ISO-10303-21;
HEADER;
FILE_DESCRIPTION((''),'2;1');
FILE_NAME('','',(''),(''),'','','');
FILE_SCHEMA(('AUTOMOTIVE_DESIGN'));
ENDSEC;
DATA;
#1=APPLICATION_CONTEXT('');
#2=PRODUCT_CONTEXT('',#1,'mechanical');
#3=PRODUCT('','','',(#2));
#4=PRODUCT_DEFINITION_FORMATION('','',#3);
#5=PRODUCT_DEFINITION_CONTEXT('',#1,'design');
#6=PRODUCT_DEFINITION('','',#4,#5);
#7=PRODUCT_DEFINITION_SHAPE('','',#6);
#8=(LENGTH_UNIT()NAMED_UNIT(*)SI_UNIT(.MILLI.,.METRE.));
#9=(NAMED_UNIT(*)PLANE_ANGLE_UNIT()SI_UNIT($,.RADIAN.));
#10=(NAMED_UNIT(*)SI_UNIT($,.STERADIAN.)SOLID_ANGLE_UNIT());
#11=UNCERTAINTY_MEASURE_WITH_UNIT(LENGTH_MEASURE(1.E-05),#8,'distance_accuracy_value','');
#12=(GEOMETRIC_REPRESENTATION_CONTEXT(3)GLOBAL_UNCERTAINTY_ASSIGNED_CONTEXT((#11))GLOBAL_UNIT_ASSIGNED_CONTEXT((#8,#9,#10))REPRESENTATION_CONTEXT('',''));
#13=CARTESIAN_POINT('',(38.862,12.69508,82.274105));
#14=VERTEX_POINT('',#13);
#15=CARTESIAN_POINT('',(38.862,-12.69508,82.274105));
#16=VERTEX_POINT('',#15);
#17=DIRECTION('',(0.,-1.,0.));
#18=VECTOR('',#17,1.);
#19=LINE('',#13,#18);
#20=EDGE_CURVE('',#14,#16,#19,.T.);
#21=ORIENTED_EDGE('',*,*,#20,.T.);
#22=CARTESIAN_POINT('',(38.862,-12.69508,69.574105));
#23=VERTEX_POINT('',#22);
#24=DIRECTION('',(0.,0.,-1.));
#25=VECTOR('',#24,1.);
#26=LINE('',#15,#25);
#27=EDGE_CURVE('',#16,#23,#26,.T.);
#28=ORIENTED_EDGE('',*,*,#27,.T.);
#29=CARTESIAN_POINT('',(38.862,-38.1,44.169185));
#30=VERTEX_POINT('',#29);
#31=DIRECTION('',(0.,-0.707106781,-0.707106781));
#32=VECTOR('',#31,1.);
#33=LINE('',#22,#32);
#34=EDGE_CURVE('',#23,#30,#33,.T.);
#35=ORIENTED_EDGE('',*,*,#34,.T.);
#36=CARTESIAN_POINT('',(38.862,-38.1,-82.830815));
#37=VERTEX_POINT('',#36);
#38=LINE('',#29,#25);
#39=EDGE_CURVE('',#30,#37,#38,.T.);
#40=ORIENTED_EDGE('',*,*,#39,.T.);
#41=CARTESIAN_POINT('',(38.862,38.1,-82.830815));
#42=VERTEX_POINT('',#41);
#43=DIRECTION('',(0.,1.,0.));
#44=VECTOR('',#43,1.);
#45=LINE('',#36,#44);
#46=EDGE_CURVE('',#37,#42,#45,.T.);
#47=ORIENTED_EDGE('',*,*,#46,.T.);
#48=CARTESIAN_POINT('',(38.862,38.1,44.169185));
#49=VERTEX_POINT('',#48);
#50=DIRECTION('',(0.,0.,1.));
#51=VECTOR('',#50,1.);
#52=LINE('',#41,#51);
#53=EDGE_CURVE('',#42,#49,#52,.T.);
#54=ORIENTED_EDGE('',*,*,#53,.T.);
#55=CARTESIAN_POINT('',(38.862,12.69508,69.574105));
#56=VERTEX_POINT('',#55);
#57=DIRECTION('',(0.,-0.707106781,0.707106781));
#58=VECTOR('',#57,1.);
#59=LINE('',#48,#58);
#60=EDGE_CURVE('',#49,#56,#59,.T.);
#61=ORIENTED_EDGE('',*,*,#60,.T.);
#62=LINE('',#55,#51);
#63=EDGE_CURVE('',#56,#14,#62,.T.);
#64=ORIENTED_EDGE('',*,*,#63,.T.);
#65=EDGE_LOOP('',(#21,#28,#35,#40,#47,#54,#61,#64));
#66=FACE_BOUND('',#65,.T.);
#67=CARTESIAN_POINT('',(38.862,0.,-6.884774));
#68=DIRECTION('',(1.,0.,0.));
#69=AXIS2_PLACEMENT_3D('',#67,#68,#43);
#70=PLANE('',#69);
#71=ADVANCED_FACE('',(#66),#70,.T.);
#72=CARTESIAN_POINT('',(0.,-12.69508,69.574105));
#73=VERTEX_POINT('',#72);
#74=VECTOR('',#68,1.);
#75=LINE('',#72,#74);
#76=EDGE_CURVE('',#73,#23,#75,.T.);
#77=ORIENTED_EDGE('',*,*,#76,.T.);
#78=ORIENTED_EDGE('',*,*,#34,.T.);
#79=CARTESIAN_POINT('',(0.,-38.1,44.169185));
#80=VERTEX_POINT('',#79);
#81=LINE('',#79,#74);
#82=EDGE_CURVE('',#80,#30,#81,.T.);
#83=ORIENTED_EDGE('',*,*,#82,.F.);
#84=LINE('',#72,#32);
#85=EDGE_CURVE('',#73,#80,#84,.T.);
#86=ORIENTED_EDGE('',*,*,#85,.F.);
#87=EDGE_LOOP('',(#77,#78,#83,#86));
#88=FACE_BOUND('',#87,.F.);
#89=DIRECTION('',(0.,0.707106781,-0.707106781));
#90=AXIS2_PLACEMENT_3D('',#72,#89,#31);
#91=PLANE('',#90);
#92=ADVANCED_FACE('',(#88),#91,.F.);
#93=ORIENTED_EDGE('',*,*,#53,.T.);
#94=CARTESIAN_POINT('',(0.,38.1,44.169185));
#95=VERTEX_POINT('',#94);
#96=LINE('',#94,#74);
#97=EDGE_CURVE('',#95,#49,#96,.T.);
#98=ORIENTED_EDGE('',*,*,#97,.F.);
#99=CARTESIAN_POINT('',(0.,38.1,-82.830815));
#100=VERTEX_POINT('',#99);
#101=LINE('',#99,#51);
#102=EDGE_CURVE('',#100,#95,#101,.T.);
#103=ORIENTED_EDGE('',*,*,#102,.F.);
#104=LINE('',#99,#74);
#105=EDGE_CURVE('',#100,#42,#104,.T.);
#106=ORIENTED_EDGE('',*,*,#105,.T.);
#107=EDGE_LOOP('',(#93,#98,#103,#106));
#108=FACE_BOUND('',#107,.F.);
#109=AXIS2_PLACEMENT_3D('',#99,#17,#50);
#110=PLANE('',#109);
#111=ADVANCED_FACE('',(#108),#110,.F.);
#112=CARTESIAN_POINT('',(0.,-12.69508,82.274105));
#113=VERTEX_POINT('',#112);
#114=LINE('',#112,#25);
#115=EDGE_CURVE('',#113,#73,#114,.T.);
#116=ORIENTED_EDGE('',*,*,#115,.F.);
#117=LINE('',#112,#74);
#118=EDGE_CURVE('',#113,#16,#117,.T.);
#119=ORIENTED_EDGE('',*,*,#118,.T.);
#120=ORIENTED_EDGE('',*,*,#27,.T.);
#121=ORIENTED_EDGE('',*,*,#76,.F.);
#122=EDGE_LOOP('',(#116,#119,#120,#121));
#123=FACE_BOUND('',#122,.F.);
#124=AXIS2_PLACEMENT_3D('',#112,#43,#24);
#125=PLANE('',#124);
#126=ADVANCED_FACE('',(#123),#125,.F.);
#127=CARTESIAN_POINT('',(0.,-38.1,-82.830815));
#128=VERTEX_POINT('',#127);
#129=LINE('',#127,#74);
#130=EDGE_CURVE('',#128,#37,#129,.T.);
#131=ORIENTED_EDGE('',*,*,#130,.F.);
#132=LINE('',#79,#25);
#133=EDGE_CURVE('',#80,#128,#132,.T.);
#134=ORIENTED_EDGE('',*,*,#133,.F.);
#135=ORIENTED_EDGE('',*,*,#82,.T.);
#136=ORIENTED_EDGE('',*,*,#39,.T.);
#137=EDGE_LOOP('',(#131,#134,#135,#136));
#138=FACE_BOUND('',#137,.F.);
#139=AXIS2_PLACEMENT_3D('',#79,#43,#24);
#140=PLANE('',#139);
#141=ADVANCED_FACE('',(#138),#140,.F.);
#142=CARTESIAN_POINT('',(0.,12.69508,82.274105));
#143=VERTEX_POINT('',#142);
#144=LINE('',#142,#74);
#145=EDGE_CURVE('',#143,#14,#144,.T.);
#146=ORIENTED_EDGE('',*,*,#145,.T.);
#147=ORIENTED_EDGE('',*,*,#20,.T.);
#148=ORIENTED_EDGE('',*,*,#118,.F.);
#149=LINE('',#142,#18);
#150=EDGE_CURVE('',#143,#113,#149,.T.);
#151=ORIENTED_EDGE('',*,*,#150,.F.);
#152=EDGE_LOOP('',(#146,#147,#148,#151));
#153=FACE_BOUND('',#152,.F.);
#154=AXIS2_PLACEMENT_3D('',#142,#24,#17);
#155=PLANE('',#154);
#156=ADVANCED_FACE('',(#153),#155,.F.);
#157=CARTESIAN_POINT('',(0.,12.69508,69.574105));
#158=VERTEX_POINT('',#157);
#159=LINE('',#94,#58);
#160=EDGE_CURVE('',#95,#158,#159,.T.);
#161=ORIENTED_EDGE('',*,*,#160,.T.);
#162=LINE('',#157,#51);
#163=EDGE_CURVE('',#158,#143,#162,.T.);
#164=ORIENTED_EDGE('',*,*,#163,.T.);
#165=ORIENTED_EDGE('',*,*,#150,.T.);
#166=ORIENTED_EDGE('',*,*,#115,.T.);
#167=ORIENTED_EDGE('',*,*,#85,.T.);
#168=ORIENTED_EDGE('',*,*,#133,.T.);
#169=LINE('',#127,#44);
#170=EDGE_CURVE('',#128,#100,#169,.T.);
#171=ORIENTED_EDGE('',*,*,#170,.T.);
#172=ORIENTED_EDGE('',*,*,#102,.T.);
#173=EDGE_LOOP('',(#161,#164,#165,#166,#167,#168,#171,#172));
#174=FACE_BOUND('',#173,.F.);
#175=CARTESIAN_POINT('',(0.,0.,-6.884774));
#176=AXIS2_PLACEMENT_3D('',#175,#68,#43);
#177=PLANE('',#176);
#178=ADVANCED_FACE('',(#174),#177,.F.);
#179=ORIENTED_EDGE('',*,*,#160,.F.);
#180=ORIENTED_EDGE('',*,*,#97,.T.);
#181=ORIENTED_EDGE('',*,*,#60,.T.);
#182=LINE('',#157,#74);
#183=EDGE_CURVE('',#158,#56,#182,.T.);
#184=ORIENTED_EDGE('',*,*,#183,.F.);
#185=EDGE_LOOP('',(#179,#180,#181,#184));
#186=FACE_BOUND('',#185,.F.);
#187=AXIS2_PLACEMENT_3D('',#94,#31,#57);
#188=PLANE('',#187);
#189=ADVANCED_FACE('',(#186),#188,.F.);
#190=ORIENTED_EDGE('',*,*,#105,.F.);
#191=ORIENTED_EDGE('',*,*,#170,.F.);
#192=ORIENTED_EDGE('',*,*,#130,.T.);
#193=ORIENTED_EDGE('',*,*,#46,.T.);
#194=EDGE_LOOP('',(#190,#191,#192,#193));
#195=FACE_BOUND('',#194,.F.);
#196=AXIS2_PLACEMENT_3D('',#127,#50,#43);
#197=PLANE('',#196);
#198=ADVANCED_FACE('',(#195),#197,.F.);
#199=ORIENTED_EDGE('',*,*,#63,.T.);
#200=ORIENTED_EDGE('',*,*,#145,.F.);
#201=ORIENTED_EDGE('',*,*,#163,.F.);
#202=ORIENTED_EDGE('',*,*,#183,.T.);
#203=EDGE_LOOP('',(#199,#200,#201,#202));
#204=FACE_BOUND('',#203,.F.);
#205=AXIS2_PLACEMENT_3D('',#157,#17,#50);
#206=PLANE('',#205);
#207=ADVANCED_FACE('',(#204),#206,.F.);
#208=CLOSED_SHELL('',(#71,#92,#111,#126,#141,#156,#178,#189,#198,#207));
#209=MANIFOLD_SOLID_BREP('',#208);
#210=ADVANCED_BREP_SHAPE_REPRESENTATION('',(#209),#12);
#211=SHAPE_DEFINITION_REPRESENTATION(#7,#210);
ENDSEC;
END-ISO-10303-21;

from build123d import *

# Parameters (mm, degrees)
F1_DEPTH = 38.862


with BuildPart() as f1:
    # F0 (on Right) → F1 (new body)
    with BuildSketch(Plane.YZ):
        Polygon((-38.1, -82.830815), (38.1, -82.830815), (38.1, 44.169185), (12.69508, 69.574105), (12.69508, 82.274105), (0, 82.274105), (-12.69508, 82.274105), (-12.69508, 69.574105), (-38.1, 44.169185), align=None)
    extrude(amount=F1_DEPTH)


solid = f1.part
